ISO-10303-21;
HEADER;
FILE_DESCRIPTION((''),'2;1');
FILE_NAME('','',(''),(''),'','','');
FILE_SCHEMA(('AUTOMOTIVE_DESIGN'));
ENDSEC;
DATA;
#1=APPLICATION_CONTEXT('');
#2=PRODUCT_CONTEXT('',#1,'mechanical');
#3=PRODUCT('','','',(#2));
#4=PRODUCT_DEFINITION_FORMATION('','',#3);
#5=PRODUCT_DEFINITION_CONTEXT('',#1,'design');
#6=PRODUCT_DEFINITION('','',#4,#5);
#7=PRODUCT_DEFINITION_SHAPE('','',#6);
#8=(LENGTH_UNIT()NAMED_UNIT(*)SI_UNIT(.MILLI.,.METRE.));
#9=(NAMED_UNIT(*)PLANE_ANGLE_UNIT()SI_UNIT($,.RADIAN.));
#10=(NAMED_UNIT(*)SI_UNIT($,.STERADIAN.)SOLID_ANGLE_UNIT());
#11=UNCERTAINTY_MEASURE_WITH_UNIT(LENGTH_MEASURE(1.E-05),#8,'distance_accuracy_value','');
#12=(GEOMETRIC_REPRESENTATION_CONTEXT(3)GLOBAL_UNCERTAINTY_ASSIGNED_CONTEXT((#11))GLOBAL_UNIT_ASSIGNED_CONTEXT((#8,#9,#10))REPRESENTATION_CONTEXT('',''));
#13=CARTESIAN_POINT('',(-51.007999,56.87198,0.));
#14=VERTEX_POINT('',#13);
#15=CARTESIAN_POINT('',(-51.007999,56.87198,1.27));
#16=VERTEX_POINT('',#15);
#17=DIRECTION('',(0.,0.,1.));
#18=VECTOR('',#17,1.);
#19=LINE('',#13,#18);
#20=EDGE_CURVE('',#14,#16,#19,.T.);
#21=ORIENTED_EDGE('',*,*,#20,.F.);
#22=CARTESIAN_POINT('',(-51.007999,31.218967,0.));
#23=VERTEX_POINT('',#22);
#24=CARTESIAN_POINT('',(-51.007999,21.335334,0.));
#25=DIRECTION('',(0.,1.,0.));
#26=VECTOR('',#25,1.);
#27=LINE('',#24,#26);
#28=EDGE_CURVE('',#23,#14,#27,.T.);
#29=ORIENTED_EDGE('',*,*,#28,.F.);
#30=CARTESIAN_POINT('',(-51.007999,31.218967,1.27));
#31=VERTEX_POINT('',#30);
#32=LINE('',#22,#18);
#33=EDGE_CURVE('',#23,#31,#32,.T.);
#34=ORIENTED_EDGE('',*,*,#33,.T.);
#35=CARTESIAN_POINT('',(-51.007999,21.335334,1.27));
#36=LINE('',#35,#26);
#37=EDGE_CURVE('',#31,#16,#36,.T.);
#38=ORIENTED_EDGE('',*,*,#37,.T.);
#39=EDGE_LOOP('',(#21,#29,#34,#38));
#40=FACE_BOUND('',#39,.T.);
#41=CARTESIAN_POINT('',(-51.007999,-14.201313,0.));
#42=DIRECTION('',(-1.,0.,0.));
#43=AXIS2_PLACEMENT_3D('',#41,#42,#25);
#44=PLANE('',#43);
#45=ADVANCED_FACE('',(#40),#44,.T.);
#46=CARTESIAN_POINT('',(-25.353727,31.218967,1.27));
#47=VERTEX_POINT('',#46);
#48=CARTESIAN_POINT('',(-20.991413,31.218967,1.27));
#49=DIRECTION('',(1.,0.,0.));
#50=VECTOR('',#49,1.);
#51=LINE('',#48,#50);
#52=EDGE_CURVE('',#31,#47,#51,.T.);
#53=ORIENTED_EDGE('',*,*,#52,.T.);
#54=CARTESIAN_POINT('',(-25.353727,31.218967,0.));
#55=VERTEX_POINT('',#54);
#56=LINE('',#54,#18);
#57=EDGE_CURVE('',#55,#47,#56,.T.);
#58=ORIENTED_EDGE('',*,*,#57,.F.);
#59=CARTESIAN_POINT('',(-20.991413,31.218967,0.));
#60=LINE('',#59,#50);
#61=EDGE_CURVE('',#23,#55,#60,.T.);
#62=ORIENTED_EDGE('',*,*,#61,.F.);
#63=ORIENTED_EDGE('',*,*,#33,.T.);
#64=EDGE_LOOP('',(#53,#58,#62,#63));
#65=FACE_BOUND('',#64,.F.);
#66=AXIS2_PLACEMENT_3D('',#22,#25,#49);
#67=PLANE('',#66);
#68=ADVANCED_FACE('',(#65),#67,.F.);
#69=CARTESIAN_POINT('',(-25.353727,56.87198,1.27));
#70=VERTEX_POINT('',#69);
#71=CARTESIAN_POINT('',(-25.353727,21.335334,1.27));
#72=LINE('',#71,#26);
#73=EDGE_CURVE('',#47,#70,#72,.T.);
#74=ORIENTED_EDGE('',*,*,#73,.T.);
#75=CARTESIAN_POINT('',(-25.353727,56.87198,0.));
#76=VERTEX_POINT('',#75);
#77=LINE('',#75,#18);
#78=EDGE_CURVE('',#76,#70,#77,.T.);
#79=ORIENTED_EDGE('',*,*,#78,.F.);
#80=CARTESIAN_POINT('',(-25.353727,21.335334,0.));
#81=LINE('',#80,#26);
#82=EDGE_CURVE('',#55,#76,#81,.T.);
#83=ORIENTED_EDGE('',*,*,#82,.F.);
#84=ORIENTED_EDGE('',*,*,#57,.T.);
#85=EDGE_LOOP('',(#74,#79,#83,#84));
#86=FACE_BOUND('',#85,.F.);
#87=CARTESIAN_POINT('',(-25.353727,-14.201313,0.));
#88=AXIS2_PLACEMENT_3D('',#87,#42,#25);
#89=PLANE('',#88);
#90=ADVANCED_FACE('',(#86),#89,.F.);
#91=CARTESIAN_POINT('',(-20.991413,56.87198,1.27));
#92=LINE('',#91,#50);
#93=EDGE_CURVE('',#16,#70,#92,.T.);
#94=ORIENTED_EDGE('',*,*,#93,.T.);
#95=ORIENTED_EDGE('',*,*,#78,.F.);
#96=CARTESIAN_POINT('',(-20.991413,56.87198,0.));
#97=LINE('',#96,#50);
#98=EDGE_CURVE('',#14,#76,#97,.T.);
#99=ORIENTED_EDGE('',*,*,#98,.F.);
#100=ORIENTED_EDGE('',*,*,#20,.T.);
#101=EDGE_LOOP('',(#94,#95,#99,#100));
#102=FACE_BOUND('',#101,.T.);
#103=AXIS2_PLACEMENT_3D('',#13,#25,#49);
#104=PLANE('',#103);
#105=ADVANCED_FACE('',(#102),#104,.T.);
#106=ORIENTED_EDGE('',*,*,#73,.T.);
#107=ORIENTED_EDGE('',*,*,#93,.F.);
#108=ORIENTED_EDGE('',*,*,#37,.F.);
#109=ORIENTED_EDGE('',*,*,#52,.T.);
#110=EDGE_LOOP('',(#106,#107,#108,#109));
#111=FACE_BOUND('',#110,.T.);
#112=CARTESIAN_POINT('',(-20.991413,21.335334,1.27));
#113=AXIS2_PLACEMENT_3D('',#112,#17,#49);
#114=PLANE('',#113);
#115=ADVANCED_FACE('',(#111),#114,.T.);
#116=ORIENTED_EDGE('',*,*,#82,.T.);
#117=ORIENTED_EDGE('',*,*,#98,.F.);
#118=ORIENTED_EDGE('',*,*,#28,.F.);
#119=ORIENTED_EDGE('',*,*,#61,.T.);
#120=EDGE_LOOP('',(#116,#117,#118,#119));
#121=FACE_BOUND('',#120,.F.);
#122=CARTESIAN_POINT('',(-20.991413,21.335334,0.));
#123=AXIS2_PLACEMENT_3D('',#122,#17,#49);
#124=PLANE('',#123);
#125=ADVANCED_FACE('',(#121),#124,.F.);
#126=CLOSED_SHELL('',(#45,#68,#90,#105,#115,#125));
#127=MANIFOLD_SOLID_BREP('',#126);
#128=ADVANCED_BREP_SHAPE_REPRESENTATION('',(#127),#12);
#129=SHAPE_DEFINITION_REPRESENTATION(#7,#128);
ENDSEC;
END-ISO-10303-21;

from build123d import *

# Parameters (mm, degrees)
F0_W     = 60.033172369
F0_H     = 71.0732936859
F1_DEPTH = 1.27
F2_DEPTH = 45.42028
F3_DEPTH = 34.3789


with BuildPart() as f1:
    # F0 (on Top) → F1 (new body)
    with BuildSketch(Plane.XY):
        with Locations((-20.9914129227, 21.3353335857)):
            Rectangle(F0_W, F0_H)
    extrude(amount=F1_DEPTH)

    # F2 (cut): a face of the model
    f2_faces = [f1.faces().sort_by_distance(p)[0] for p in [
        (-20.9914129227, -14.2013132572, 0.635),
    ]]
    extrude(f2_faces, amount=-F2_DEPTH, mode=Mode.SUBTRACT)

    # F3 (cut): a face of the model
    f3_faces = [f1.faces().sort_by_distance(p)[0] for p in [
        (9.0251732618, 44.0454735857, 0.635),
    ]]
    extrude(f3_faces, amount=-F3_DEPTH, mode=Mode.SUBTRACT)


solid = f1.part
